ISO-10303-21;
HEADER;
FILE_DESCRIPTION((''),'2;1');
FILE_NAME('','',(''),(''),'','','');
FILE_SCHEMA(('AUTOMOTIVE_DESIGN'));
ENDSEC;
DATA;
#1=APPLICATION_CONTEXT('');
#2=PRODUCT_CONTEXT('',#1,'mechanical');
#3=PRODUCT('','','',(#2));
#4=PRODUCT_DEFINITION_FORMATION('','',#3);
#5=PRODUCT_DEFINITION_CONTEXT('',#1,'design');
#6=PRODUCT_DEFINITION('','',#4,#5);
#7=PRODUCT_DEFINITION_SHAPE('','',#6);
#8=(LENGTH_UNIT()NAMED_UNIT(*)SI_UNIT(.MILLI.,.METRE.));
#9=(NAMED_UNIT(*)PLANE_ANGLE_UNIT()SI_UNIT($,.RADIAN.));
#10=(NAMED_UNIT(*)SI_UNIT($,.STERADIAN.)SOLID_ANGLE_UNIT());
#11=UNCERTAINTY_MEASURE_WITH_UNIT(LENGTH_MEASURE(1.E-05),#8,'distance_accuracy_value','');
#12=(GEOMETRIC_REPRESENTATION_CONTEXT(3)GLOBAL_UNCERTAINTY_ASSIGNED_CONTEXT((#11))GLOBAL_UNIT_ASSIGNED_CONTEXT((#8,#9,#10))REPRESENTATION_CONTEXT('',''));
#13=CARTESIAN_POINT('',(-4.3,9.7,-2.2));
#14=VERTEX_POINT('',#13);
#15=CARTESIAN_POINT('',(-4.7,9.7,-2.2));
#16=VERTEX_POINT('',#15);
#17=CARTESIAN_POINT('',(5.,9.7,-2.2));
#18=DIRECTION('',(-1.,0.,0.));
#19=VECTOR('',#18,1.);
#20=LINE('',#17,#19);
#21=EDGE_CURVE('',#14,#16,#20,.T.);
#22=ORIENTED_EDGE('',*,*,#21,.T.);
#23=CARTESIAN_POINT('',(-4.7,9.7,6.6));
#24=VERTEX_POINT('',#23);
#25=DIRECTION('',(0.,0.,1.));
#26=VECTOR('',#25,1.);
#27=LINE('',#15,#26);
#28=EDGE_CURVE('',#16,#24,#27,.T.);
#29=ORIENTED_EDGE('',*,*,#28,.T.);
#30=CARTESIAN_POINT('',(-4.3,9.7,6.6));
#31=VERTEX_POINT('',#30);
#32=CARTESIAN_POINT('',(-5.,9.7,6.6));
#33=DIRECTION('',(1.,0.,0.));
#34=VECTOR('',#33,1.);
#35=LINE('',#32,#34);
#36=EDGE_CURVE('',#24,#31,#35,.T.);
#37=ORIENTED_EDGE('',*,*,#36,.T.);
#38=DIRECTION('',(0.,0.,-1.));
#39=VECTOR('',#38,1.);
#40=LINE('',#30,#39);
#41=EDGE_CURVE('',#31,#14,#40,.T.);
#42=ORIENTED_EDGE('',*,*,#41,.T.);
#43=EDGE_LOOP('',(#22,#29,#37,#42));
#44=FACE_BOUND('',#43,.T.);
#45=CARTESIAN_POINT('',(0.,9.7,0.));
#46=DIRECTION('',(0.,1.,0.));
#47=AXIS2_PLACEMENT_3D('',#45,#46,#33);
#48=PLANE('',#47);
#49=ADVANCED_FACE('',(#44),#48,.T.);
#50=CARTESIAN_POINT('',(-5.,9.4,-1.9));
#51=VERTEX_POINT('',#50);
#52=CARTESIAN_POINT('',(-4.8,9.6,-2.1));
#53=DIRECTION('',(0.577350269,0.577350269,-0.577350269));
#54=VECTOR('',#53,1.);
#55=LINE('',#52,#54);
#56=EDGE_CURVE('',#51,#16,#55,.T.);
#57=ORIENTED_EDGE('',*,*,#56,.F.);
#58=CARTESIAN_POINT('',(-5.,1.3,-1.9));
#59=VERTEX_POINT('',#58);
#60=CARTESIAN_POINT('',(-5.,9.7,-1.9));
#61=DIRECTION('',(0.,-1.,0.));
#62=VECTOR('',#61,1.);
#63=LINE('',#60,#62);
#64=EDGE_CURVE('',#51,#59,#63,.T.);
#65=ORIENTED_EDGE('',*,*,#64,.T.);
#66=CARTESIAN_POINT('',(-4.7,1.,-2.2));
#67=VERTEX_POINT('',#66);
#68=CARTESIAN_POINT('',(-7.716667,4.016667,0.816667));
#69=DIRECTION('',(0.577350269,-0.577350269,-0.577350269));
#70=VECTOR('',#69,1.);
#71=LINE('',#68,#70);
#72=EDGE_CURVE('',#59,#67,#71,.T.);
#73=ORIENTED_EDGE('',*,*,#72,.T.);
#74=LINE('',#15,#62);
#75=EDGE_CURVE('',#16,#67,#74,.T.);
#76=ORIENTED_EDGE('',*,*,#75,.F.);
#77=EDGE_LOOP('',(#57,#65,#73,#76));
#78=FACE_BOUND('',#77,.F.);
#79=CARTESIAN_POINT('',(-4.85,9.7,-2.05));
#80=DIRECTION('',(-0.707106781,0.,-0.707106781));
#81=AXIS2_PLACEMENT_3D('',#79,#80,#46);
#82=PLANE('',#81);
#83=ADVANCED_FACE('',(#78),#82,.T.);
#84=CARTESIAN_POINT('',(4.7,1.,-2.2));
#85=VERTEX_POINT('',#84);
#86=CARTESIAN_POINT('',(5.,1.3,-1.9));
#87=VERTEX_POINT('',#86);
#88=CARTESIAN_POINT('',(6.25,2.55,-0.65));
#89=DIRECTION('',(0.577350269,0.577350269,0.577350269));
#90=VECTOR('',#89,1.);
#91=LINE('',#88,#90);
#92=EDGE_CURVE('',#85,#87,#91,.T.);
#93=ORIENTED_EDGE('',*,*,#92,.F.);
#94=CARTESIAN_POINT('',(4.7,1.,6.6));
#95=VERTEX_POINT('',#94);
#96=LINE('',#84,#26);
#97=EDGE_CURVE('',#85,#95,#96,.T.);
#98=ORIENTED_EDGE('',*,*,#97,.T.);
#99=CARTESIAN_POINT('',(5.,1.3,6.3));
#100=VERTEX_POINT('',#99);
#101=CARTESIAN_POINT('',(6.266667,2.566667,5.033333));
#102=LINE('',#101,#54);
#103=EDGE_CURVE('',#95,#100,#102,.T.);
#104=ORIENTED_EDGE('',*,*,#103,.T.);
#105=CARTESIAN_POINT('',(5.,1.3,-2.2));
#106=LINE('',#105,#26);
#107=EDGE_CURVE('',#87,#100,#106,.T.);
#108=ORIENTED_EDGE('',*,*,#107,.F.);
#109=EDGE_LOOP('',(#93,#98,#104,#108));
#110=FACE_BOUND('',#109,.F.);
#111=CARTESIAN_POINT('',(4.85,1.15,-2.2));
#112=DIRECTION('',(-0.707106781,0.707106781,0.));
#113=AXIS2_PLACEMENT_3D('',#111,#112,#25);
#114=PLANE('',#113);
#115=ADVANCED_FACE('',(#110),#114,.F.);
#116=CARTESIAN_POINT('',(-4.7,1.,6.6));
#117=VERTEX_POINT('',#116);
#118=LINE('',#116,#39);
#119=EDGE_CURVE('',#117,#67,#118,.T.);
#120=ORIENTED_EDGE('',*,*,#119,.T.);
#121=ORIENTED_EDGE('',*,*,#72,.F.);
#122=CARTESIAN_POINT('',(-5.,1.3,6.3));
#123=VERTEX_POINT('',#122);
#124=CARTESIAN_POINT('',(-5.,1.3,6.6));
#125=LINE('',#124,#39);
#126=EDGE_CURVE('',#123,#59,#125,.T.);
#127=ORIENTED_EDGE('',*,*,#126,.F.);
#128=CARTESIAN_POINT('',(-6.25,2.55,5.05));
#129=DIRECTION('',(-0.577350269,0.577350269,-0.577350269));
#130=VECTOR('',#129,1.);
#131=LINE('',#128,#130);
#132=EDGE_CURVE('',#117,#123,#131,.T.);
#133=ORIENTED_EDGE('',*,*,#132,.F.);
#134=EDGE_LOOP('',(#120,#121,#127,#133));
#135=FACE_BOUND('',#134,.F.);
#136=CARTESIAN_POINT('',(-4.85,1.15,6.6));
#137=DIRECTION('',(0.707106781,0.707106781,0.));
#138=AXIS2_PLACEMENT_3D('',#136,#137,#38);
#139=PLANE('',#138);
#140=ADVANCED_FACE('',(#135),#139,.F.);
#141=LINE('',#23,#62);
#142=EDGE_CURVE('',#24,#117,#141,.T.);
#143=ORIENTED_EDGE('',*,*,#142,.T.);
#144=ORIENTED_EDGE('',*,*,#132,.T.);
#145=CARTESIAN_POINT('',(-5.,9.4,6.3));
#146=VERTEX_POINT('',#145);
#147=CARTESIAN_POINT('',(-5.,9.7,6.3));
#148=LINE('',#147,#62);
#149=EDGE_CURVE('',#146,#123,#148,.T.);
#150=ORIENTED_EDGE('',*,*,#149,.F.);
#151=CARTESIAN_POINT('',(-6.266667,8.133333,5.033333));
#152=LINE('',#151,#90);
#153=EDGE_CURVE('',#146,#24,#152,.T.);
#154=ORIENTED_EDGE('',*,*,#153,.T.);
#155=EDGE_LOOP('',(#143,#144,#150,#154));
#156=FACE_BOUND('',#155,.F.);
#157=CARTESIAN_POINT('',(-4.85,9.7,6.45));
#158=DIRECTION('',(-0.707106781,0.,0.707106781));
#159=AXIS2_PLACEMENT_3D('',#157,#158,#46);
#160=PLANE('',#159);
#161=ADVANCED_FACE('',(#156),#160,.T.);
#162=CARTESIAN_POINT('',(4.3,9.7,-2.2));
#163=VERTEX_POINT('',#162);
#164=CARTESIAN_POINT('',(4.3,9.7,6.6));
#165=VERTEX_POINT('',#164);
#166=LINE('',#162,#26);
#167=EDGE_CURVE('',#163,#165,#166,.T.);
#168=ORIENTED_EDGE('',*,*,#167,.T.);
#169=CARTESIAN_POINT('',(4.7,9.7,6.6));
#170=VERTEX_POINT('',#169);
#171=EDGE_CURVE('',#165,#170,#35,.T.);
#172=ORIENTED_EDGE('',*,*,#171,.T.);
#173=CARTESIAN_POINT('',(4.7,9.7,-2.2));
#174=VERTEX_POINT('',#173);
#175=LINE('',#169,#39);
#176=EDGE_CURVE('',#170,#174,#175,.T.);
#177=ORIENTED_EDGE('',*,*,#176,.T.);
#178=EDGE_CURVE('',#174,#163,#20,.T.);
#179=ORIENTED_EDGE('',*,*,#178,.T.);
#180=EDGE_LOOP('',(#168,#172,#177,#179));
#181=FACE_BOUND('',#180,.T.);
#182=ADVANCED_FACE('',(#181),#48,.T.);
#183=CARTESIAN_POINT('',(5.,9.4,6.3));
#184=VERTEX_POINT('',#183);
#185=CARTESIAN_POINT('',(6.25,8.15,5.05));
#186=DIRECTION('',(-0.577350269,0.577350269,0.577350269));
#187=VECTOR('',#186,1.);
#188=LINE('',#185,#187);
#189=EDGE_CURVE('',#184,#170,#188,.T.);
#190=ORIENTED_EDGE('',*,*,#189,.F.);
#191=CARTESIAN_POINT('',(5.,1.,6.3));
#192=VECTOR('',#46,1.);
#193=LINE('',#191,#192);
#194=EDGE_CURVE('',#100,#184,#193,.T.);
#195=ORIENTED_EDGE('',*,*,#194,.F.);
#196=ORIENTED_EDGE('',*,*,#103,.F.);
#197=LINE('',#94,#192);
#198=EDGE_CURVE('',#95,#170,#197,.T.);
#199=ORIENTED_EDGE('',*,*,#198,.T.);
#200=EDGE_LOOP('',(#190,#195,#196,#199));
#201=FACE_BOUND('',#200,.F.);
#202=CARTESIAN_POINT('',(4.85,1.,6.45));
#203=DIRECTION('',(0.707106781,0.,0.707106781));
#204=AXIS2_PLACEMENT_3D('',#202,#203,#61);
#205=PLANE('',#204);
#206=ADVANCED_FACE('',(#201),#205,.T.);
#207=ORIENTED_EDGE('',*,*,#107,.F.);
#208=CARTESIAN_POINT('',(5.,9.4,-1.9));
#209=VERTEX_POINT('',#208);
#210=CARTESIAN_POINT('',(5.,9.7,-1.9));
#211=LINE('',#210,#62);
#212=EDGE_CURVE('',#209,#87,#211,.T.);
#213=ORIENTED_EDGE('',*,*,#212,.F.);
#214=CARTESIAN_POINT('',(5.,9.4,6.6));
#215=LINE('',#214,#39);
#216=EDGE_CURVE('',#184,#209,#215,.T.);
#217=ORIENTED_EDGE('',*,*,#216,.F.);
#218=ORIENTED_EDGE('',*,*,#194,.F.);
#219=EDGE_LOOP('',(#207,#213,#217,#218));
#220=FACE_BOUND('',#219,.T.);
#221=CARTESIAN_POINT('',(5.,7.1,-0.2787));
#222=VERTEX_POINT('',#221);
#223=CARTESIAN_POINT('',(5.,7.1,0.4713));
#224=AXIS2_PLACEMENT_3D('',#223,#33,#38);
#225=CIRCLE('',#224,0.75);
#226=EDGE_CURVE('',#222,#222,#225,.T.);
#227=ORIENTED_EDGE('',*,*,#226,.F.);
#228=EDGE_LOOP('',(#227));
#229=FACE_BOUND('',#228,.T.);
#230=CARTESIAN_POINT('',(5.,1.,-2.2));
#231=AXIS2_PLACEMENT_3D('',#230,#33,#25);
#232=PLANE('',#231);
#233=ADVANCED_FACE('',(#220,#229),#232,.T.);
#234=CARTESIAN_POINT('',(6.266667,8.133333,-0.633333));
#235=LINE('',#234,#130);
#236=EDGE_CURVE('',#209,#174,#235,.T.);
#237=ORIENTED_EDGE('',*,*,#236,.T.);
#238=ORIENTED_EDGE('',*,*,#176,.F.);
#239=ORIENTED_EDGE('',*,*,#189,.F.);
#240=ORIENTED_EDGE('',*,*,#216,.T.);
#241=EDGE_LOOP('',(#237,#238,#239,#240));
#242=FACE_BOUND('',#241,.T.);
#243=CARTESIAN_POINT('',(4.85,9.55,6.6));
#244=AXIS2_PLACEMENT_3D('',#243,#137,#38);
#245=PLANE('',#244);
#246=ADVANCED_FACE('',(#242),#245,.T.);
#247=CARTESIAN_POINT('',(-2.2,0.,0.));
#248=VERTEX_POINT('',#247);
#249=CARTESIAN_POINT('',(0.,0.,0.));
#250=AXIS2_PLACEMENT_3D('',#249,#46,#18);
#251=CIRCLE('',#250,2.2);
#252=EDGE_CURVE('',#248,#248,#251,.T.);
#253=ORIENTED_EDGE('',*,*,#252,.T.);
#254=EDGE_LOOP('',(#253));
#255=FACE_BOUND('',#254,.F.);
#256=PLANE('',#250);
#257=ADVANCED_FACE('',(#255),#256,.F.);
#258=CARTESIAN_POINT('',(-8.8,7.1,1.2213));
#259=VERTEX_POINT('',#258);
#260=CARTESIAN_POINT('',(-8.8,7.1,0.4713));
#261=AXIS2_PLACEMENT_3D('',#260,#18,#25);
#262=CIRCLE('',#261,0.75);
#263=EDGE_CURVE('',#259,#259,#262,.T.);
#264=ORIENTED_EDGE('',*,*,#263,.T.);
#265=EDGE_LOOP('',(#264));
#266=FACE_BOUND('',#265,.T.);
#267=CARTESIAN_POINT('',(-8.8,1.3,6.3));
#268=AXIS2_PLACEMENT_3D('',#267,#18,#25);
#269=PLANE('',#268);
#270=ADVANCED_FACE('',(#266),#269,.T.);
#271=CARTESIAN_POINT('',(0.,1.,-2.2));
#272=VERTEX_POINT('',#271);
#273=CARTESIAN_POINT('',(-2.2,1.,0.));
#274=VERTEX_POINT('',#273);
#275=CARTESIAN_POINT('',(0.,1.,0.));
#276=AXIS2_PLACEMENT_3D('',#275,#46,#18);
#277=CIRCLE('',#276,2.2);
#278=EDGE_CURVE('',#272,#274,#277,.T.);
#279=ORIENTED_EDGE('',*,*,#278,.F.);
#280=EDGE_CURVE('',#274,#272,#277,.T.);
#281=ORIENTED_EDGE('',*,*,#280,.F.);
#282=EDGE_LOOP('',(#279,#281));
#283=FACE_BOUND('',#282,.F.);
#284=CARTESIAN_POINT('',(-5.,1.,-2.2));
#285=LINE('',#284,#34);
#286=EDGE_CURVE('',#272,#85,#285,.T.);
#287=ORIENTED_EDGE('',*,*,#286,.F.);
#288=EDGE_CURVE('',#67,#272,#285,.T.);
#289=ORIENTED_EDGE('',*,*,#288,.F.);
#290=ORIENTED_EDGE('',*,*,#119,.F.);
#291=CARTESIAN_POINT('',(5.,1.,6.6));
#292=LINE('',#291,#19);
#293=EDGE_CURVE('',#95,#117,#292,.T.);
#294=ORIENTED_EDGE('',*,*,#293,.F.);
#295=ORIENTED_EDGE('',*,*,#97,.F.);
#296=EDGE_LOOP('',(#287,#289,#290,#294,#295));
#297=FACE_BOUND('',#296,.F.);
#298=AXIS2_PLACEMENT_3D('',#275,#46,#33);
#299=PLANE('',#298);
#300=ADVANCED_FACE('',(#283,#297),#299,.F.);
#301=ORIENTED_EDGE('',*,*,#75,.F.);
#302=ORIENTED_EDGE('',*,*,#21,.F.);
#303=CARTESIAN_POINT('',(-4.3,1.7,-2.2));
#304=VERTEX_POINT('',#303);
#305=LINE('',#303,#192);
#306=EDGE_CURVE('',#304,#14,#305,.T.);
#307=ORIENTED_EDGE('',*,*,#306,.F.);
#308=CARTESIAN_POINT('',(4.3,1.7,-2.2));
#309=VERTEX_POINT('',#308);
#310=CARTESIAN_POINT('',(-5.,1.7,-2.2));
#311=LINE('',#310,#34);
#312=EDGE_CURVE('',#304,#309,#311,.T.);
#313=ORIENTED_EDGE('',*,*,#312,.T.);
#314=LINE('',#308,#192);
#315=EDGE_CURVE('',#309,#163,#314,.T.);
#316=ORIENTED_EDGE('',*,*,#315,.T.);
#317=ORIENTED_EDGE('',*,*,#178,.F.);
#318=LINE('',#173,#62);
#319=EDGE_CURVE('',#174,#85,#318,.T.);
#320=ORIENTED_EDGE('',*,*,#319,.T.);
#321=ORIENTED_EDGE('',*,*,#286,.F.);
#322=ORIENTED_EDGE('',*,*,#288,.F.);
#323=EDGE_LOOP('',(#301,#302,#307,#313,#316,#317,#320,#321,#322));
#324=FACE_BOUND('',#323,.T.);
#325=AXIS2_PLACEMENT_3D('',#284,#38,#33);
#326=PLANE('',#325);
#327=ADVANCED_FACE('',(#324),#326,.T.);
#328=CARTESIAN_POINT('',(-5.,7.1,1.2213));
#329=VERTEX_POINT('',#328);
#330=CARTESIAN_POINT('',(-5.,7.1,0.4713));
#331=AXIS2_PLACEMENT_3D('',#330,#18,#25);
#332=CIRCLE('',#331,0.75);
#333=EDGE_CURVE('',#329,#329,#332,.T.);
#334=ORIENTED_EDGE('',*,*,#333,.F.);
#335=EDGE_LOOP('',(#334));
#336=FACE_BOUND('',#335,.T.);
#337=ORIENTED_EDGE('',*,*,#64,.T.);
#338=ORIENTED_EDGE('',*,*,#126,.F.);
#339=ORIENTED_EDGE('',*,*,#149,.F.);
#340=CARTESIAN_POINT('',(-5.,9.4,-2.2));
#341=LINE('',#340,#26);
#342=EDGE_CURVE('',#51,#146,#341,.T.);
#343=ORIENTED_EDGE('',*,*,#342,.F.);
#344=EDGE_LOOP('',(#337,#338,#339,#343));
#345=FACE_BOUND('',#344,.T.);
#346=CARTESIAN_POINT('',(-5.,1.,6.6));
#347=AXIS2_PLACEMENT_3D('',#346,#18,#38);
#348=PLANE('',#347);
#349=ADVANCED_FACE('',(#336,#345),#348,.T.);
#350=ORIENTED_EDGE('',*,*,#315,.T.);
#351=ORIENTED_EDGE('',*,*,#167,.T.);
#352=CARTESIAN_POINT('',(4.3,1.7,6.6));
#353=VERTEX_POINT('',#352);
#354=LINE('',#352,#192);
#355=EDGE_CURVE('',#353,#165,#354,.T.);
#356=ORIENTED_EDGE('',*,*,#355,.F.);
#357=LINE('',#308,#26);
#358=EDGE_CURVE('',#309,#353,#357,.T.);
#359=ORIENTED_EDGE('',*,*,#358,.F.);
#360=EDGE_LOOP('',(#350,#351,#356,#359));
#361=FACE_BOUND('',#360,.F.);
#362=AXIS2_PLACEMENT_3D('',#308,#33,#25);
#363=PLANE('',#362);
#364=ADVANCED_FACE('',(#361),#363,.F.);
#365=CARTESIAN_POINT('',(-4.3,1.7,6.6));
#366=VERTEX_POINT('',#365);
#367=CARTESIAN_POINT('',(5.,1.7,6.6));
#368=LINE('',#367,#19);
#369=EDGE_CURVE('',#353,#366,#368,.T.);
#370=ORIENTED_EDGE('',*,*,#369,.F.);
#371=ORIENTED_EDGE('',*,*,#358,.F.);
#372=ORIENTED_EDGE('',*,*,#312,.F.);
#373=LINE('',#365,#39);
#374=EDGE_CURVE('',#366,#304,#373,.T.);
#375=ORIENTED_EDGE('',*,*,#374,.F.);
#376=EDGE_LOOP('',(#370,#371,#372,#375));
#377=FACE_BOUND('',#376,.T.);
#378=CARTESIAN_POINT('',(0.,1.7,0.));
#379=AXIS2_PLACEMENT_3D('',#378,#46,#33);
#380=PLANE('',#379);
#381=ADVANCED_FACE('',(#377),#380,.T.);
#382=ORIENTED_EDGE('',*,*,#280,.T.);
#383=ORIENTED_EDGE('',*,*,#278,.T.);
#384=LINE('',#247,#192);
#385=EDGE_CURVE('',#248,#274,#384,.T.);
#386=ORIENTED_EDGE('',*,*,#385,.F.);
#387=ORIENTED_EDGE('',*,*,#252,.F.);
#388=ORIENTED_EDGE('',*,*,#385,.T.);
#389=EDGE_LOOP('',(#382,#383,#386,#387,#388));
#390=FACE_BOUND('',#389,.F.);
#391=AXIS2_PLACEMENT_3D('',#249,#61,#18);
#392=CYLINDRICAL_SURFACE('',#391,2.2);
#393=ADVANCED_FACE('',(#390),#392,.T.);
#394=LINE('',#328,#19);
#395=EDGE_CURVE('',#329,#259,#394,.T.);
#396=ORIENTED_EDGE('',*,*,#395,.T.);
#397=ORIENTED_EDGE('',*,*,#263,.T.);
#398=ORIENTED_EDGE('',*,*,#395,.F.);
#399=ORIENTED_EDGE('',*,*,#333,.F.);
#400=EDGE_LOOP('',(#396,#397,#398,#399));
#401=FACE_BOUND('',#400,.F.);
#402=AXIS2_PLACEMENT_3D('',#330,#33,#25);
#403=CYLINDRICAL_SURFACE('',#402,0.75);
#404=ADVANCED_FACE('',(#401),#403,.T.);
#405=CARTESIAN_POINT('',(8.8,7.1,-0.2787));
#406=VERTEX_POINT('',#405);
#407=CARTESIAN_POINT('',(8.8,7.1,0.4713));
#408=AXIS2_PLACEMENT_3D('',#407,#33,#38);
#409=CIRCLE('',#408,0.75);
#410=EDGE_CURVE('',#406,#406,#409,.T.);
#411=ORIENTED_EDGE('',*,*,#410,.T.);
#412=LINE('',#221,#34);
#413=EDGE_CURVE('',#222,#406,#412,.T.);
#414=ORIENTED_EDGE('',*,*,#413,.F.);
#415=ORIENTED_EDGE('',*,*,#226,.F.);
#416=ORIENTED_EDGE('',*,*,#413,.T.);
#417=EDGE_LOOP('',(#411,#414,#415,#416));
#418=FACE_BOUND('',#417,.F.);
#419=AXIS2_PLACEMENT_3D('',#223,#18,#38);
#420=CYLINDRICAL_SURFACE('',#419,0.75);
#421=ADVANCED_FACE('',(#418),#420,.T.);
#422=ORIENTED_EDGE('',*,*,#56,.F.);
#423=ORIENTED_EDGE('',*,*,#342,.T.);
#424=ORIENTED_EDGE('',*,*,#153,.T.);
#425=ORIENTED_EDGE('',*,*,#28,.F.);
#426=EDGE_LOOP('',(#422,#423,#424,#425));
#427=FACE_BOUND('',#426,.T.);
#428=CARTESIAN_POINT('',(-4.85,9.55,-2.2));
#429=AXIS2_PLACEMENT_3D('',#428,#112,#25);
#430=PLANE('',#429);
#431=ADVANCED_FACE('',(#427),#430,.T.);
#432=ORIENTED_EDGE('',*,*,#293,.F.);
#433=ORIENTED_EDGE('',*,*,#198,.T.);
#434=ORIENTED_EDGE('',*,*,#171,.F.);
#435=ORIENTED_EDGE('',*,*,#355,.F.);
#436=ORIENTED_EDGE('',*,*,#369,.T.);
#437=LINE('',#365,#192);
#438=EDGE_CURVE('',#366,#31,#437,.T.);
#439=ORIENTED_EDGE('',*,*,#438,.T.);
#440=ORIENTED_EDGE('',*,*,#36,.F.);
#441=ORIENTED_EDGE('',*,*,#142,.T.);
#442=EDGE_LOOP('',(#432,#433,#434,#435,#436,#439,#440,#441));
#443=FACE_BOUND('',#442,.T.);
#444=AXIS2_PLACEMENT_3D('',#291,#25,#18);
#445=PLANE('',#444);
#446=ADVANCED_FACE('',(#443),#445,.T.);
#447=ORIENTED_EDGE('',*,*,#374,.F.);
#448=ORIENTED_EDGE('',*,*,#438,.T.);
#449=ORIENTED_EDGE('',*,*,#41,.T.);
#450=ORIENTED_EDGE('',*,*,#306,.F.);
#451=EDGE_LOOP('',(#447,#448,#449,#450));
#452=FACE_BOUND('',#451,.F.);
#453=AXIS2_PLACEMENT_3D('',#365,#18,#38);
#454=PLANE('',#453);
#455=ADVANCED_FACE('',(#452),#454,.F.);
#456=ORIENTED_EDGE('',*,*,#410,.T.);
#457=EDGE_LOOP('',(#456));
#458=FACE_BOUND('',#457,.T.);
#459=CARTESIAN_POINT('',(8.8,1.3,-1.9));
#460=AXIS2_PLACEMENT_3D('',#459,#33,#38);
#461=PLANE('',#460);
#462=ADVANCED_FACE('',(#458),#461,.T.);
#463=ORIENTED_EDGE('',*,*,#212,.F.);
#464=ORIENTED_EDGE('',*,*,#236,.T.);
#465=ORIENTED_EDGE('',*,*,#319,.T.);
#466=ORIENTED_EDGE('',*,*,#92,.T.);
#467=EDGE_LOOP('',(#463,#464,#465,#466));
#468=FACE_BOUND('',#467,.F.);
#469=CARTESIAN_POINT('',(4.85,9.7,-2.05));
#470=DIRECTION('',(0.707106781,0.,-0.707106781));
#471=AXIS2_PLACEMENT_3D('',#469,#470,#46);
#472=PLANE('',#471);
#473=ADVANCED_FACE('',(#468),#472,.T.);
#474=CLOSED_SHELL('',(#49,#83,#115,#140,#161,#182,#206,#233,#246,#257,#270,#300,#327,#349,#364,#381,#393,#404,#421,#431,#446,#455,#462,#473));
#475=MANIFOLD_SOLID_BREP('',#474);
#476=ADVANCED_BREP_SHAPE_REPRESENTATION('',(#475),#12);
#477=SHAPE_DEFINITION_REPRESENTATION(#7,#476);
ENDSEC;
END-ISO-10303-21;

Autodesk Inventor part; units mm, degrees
ref_plane "YZ Plane" through (0, 0, 0) normal (1, 0, 0) x (0, 1, 0)
ref_plane "XZ Plane" through (0, 0, 0) normal (0, 1, 0) x (-1, 0, 0)
ref_plane "XY Plane" through (0, 0, 0) normal (0, 0, 1) x (1, 0, 0)
sketch "Sketch1" plane through (0, 0, 0) normal (0, 1, 0) x (-1, 0, 0)
  circle A0 centre (0, 0) radius 2.2
  dimension "d0" = 4.4
extrude "Extrusion1" add sketch "Sketch1" along normal blind 1
sketch "Sketch2" plane through (0, 1, 0) normal (0, 1, 0) x (1, 0, 0)
  line L0 (5, -6.6) -> (-5, -6.6)
  line L1 (-5, -6.6) -> (-5, 2.2)
  line L2 (-5, 2.2) -> (5, 2.2)
  line L3 (5, 2.2) -> (5, -6.6)
  circle A0 centre (0, 0) radius 2.2 projected
  line L4 (5, -6.6) -> (-5, 2.2) construction
  line L5 (-5, -6.6) -> (5, 2.2) construction
  point P0 (0, -2.2)
  dimension "d3" = 10
extrude "Extrusion2" add sketch "Sketch2" along normal blind 0.7 contours A0 | L0 L1 L2 L3
sketch "Sketch3" plane through (0, 1.7, 0) normal (0, 1, 0) x (1, 0, 0)
  line L0 (-5, -6.6) -> (5, -6.6) projected
  line L1 (5, 2.2) -> (-5, 2.2) projected
  line L2 (-5, -6.6) -> (-4.3, -6.6)
  line L3 (-4.3, -6.6) -> (-4.3, 2.2)
  line L4 (-4.3, 2.2) -> (-5, 2.2)
  line L5 (-5, 2.2) -> (-5, -6.6)
  line L6 (5, 2.2) -> (4.3, 2.2)
  line L7 (4.3, 2.2) -> (4.3, -6.6)
  line L8 (4.3, -6.6) -> (5, -6.6)
  line L9 (5, -6.6) -> (5, 2.2)
  point P0 (0, 0)
  dimension "d6" = 0.7
  dimension "d7" = 0.7
extrude "Extrusion3" add sketch "Sketch3" along normal blind 8 contours L5 L1 L3 L0 | L7 L1 L9 L0
chamfer "Chamfer1" distance 0.3 angle 45 8 edges at (-5, 9.7, 2.2) (-5, 5.35, -2.2) (-5, 5.35, 6.6) (5, 9.7, 2.2) (5, 5.35, -2.2) (5, 5.35, 6.6) (5, 1, 2.2) (-5, 1, 2.2)
sketch "Sketch7" plane through (-5, 1.3, 6.3) normal (-1, 0, 0) x (0, 0, 1)
  line L0 (0, 0) -> (0, 8.1) projected
  line L1 (-8.2, 0) -> (0, 0) projected
  line L2 (0, 8.1) -> (-8.2, 0)
  line L3 (-8.2, 8.1) -> (-8.2, 0) projected
  line L4 (-4.1, 4.05) -> (-8.2, 4.05)
  line L5 (-8.2, 4.05) -> (-8.2, 8.1)
  line L6 (-8.2, 8.1) -> (-4.1, 8.1)
  line L7 (-4.1, 8.1) -> (-4.1, 4.05)
  line L8 (-4.1, 4.05) -> (-8.2, 4.05)
  line L9 (-8.2, 4.05) -> (-8.2, 7.55)
  line L10 (-8.2, 7.55) -> (-4.1, 7.55)
  line L11 (-4.1, 7.55) -> (-4.1, 4.05)
  circle A0 centre (-5.8287, 5.8) radius 0.75
  point P0 (-6.3, -1.3)
  dimension "d22" = 4.1
  dimension "d23" = 3.5
  dimension "d24" = 1.5
sketch "Sketch8" plane through (-5, 1.3, 6.3) normal (-1, 0, 0) x (0, 0, 1)
  point P0 (-6.3, -1.3)
extrude "Extrusion6" add sketch "Sketch7" along normal blind 3.8 contours A0
sketch "Sketch9" plane through (5, 1.3, -1.9) normal (1, 0, 0) x (0, 0, -1)
  circle A0 centre (-2.3713, 5.8) radius 0.75 projected
  circle A1 centre (-2.3713, 5.8) radius 0.75
  point P0 (-1.9, -1.3)
extrude "Extrusion7" add sketch "Sketch9" along normal blind 3.8
properties part number "McCrea_arm-connector_Walle"
